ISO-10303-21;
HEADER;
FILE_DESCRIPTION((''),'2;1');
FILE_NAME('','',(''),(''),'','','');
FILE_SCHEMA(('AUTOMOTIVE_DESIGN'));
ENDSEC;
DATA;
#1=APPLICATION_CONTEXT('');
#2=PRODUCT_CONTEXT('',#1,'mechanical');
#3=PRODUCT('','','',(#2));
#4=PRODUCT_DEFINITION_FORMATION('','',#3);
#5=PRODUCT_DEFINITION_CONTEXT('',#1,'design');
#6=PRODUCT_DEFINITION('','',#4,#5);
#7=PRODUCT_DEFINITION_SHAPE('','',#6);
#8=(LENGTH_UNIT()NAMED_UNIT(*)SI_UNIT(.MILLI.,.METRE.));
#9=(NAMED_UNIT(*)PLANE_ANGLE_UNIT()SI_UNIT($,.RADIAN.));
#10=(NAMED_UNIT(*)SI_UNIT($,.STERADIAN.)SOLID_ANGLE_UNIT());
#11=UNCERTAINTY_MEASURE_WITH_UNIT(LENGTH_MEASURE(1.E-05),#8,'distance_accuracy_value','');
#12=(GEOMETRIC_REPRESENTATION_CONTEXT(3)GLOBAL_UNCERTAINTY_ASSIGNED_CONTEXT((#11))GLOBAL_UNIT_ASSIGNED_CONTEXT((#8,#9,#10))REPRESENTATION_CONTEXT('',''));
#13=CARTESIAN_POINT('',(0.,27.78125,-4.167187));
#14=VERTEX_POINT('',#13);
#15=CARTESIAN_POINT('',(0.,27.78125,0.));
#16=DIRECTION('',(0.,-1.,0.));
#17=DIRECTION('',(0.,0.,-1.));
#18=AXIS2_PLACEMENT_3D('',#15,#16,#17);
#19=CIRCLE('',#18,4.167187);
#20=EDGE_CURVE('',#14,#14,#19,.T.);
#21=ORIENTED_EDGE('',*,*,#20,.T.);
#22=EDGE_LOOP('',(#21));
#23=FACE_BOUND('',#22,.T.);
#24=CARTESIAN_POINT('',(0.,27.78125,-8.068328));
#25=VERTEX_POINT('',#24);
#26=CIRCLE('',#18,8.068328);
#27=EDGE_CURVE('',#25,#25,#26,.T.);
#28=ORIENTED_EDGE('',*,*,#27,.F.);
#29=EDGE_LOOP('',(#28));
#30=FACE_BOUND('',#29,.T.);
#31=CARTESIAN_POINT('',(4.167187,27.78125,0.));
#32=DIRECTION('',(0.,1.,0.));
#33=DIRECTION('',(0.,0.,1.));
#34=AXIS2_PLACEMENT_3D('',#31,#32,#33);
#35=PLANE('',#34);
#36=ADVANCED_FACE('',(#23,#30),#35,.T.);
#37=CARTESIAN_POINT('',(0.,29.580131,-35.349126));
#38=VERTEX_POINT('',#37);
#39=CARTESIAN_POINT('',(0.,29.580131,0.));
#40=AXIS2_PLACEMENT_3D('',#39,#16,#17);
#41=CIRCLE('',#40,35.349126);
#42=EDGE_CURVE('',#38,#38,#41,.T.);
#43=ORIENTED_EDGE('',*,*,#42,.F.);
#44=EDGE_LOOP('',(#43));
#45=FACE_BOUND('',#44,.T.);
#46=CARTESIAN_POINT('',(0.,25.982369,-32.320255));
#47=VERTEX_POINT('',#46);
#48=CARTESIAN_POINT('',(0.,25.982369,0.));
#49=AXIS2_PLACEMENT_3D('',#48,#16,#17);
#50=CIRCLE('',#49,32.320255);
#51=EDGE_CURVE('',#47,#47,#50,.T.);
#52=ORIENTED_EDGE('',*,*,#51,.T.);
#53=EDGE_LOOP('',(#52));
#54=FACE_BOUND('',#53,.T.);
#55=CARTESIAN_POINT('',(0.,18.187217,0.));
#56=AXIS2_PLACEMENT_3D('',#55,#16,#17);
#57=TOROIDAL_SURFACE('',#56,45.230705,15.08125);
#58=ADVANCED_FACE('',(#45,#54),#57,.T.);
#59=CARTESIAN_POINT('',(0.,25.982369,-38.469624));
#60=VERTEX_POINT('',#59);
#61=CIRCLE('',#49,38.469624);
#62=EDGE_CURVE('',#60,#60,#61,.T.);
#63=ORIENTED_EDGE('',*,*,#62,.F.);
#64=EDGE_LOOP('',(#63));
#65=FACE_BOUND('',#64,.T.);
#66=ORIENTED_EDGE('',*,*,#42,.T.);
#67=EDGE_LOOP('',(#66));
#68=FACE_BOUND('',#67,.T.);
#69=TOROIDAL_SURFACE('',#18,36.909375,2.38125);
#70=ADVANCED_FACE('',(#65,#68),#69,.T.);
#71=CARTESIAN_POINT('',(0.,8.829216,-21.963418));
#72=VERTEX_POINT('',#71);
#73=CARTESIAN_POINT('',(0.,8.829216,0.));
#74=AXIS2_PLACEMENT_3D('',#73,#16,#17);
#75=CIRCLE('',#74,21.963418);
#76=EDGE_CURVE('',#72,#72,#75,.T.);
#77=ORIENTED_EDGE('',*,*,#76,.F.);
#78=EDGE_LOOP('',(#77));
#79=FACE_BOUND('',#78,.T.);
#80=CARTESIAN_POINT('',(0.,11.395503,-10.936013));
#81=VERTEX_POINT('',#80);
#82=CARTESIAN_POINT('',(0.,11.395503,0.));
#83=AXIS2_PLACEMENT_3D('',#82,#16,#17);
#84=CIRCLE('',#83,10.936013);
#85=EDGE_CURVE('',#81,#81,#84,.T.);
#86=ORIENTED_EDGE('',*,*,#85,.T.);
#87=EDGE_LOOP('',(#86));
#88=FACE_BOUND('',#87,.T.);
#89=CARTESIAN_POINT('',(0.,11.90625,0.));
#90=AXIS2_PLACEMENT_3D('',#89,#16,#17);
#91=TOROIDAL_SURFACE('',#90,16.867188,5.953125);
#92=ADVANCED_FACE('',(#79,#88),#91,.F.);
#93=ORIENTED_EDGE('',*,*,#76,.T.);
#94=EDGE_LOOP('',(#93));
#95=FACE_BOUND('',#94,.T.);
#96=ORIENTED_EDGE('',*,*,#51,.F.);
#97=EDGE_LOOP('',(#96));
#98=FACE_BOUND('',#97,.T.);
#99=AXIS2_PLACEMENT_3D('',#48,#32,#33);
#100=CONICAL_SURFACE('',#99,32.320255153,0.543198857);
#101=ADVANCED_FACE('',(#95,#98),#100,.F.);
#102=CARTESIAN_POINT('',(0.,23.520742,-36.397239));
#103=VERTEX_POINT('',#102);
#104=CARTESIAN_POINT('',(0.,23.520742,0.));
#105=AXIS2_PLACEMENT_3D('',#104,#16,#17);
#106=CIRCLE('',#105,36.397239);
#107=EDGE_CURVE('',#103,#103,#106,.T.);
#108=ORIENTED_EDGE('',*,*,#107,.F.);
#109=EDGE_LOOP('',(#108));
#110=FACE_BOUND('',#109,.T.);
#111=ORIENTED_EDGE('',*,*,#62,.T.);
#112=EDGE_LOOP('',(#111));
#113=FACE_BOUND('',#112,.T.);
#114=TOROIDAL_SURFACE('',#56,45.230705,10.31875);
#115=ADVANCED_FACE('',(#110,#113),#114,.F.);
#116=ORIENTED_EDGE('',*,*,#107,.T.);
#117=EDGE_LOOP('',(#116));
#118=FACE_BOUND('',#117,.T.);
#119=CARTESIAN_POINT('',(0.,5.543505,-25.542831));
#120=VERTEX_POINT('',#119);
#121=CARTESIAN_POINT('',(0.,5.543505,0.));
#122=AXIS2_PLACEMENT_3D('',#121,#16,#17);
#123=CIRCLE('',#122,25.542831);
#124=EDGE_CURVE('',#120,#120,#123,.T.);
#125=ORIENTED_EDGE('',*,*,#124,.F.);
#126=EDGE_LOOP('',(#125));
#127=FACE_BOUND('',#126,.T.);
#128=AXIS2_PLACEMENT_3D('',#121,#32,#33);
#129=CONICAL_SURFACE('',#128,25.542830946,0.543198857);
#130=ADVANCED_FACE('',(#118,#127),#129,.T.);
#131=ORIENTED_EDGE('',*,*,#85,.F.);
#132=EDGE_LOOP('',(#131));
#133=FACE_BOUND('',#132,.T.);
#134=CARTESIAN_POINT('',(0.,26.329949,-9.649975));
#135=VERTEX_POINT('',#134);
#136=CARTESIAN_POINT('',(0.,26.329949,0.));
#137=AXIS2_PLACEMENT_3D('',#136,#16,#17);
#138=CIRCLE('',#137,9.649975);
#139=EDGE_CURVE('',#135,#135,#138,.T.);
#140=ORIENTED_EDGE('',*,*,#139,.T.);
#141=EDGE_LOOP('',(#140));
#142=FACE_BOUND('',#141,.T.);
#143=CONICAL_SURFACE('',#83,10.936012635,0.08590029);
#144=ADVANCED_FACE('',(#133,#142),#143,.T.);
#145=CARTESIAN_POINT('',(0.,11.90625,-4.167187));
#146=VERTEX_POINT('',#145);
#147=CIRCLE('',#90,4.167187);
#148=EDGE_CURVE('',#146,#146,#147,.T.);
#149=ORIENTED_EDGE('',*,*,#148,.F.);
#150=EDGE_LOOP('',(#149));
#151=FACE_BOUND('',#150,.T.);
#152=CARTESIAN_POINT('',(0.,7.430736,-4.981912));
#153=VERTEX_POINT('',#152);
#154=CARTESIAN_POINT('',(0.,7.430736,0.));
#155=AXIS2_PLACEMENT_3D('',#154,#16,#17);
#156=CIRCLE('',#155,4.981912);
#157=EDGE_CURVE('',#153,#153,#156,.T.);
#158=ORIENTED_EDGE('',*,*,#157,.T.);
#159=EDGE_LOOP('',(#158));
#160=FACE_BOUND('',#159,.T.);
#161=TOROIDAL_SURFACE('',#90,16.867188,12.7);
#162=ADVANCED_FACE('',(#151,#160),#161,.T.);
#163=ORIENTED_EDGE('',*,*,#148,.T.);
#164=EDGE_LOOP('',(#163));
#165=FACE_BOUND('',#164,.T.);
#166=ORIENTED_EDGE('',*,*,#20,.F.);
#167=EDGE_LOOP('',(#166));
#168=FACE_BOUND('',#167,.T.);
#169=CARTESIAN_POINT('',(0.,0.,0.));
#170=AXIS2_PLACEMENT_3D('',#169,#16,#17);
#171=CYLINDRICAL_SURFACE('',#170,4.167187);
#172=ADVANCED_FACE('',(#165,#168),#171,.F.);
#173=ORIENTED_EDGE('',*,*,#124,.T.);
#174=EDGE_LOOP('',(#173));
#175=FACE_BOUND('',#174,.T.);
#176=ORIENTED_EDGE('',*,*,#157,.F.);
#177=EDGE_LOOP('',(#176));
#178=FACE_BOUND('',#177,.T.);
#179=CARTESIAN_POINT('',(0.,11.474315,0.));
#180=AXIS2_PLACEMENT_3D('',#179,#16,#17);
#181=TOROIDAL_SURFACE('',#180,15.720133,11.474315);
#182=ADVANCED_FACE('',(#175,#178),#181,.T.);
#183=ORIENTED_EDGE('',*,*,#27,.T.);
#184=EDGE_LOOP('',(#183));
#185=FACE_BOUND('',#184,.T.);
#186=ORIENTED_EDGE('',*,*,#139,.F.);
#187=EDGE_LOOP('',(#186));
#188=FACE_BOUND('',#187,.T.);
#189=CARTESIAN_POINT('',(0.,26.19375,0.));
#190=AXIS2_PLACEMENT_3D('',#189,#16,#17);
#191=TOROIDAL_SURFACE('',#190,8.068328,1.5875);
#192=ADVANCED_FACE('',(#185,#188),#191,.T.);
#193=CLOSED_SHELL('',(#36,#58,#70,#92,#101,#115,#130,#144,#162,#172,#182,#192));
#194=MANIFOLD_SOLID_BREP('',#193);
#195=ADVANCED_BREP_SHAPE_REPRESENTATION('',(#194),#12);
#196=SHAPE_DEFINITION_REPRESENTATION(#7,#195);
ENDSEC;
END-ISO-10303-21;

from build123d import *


with BuildPart() as part:
    # Sketch1 → Revolve1 (revolve)
    with BuildSketch(Plane.XY):
        with BuildLine():
            Line((4.1671875, 27.78125), (8.068328082, 27.78125))
            ThreePointArc((8.068328082, 27.78125), (9.141626789, 27.363444889), (9.649974712, 26.329949067))
            Line((9.649974712, 26.329949067), (10.936012635, 11.3955035))
            ThreePointArc((10.936012635, 11.3955035), (15.517839277, 6.108064367), (21.963417595, 8.82921635))
            Line((21.963417595, 8.82921635), (32.320255153, 25.982368789))
            ThreePointArc((32.320255153, 25.982368789), (33.693585684, 27.900042713), (35.349125676, 29.580131211))
            ThreePointArc((35.349125676, 29.580131211), (38.708256211, 29.341499324), (38.469624324, 25.982368789))
            ThreePointArc((38.469624324, 25.982368789), (37.336886434, 24.832834554), (36.397239229, 23.52074187))
            Line((36.397239229, 23.52074187), (25.542830946, 5.5435052))
            ThreePointArc((25.542830946, 5.5435052), (14.671345221, 0.048031702), (4.981912117, 7.430735608))
            ThreePointArc((4.981912117, 7.430735608), (4.372528694, 9.631716791), (4.1671875, 11.90625))
            Line((4.1671875, 11.90625), (4.1671875, 27.78125))
        make_face()
    revolve(axis=Axis((0, 0, 0), (0, 1, 0)))


solid = part.part
